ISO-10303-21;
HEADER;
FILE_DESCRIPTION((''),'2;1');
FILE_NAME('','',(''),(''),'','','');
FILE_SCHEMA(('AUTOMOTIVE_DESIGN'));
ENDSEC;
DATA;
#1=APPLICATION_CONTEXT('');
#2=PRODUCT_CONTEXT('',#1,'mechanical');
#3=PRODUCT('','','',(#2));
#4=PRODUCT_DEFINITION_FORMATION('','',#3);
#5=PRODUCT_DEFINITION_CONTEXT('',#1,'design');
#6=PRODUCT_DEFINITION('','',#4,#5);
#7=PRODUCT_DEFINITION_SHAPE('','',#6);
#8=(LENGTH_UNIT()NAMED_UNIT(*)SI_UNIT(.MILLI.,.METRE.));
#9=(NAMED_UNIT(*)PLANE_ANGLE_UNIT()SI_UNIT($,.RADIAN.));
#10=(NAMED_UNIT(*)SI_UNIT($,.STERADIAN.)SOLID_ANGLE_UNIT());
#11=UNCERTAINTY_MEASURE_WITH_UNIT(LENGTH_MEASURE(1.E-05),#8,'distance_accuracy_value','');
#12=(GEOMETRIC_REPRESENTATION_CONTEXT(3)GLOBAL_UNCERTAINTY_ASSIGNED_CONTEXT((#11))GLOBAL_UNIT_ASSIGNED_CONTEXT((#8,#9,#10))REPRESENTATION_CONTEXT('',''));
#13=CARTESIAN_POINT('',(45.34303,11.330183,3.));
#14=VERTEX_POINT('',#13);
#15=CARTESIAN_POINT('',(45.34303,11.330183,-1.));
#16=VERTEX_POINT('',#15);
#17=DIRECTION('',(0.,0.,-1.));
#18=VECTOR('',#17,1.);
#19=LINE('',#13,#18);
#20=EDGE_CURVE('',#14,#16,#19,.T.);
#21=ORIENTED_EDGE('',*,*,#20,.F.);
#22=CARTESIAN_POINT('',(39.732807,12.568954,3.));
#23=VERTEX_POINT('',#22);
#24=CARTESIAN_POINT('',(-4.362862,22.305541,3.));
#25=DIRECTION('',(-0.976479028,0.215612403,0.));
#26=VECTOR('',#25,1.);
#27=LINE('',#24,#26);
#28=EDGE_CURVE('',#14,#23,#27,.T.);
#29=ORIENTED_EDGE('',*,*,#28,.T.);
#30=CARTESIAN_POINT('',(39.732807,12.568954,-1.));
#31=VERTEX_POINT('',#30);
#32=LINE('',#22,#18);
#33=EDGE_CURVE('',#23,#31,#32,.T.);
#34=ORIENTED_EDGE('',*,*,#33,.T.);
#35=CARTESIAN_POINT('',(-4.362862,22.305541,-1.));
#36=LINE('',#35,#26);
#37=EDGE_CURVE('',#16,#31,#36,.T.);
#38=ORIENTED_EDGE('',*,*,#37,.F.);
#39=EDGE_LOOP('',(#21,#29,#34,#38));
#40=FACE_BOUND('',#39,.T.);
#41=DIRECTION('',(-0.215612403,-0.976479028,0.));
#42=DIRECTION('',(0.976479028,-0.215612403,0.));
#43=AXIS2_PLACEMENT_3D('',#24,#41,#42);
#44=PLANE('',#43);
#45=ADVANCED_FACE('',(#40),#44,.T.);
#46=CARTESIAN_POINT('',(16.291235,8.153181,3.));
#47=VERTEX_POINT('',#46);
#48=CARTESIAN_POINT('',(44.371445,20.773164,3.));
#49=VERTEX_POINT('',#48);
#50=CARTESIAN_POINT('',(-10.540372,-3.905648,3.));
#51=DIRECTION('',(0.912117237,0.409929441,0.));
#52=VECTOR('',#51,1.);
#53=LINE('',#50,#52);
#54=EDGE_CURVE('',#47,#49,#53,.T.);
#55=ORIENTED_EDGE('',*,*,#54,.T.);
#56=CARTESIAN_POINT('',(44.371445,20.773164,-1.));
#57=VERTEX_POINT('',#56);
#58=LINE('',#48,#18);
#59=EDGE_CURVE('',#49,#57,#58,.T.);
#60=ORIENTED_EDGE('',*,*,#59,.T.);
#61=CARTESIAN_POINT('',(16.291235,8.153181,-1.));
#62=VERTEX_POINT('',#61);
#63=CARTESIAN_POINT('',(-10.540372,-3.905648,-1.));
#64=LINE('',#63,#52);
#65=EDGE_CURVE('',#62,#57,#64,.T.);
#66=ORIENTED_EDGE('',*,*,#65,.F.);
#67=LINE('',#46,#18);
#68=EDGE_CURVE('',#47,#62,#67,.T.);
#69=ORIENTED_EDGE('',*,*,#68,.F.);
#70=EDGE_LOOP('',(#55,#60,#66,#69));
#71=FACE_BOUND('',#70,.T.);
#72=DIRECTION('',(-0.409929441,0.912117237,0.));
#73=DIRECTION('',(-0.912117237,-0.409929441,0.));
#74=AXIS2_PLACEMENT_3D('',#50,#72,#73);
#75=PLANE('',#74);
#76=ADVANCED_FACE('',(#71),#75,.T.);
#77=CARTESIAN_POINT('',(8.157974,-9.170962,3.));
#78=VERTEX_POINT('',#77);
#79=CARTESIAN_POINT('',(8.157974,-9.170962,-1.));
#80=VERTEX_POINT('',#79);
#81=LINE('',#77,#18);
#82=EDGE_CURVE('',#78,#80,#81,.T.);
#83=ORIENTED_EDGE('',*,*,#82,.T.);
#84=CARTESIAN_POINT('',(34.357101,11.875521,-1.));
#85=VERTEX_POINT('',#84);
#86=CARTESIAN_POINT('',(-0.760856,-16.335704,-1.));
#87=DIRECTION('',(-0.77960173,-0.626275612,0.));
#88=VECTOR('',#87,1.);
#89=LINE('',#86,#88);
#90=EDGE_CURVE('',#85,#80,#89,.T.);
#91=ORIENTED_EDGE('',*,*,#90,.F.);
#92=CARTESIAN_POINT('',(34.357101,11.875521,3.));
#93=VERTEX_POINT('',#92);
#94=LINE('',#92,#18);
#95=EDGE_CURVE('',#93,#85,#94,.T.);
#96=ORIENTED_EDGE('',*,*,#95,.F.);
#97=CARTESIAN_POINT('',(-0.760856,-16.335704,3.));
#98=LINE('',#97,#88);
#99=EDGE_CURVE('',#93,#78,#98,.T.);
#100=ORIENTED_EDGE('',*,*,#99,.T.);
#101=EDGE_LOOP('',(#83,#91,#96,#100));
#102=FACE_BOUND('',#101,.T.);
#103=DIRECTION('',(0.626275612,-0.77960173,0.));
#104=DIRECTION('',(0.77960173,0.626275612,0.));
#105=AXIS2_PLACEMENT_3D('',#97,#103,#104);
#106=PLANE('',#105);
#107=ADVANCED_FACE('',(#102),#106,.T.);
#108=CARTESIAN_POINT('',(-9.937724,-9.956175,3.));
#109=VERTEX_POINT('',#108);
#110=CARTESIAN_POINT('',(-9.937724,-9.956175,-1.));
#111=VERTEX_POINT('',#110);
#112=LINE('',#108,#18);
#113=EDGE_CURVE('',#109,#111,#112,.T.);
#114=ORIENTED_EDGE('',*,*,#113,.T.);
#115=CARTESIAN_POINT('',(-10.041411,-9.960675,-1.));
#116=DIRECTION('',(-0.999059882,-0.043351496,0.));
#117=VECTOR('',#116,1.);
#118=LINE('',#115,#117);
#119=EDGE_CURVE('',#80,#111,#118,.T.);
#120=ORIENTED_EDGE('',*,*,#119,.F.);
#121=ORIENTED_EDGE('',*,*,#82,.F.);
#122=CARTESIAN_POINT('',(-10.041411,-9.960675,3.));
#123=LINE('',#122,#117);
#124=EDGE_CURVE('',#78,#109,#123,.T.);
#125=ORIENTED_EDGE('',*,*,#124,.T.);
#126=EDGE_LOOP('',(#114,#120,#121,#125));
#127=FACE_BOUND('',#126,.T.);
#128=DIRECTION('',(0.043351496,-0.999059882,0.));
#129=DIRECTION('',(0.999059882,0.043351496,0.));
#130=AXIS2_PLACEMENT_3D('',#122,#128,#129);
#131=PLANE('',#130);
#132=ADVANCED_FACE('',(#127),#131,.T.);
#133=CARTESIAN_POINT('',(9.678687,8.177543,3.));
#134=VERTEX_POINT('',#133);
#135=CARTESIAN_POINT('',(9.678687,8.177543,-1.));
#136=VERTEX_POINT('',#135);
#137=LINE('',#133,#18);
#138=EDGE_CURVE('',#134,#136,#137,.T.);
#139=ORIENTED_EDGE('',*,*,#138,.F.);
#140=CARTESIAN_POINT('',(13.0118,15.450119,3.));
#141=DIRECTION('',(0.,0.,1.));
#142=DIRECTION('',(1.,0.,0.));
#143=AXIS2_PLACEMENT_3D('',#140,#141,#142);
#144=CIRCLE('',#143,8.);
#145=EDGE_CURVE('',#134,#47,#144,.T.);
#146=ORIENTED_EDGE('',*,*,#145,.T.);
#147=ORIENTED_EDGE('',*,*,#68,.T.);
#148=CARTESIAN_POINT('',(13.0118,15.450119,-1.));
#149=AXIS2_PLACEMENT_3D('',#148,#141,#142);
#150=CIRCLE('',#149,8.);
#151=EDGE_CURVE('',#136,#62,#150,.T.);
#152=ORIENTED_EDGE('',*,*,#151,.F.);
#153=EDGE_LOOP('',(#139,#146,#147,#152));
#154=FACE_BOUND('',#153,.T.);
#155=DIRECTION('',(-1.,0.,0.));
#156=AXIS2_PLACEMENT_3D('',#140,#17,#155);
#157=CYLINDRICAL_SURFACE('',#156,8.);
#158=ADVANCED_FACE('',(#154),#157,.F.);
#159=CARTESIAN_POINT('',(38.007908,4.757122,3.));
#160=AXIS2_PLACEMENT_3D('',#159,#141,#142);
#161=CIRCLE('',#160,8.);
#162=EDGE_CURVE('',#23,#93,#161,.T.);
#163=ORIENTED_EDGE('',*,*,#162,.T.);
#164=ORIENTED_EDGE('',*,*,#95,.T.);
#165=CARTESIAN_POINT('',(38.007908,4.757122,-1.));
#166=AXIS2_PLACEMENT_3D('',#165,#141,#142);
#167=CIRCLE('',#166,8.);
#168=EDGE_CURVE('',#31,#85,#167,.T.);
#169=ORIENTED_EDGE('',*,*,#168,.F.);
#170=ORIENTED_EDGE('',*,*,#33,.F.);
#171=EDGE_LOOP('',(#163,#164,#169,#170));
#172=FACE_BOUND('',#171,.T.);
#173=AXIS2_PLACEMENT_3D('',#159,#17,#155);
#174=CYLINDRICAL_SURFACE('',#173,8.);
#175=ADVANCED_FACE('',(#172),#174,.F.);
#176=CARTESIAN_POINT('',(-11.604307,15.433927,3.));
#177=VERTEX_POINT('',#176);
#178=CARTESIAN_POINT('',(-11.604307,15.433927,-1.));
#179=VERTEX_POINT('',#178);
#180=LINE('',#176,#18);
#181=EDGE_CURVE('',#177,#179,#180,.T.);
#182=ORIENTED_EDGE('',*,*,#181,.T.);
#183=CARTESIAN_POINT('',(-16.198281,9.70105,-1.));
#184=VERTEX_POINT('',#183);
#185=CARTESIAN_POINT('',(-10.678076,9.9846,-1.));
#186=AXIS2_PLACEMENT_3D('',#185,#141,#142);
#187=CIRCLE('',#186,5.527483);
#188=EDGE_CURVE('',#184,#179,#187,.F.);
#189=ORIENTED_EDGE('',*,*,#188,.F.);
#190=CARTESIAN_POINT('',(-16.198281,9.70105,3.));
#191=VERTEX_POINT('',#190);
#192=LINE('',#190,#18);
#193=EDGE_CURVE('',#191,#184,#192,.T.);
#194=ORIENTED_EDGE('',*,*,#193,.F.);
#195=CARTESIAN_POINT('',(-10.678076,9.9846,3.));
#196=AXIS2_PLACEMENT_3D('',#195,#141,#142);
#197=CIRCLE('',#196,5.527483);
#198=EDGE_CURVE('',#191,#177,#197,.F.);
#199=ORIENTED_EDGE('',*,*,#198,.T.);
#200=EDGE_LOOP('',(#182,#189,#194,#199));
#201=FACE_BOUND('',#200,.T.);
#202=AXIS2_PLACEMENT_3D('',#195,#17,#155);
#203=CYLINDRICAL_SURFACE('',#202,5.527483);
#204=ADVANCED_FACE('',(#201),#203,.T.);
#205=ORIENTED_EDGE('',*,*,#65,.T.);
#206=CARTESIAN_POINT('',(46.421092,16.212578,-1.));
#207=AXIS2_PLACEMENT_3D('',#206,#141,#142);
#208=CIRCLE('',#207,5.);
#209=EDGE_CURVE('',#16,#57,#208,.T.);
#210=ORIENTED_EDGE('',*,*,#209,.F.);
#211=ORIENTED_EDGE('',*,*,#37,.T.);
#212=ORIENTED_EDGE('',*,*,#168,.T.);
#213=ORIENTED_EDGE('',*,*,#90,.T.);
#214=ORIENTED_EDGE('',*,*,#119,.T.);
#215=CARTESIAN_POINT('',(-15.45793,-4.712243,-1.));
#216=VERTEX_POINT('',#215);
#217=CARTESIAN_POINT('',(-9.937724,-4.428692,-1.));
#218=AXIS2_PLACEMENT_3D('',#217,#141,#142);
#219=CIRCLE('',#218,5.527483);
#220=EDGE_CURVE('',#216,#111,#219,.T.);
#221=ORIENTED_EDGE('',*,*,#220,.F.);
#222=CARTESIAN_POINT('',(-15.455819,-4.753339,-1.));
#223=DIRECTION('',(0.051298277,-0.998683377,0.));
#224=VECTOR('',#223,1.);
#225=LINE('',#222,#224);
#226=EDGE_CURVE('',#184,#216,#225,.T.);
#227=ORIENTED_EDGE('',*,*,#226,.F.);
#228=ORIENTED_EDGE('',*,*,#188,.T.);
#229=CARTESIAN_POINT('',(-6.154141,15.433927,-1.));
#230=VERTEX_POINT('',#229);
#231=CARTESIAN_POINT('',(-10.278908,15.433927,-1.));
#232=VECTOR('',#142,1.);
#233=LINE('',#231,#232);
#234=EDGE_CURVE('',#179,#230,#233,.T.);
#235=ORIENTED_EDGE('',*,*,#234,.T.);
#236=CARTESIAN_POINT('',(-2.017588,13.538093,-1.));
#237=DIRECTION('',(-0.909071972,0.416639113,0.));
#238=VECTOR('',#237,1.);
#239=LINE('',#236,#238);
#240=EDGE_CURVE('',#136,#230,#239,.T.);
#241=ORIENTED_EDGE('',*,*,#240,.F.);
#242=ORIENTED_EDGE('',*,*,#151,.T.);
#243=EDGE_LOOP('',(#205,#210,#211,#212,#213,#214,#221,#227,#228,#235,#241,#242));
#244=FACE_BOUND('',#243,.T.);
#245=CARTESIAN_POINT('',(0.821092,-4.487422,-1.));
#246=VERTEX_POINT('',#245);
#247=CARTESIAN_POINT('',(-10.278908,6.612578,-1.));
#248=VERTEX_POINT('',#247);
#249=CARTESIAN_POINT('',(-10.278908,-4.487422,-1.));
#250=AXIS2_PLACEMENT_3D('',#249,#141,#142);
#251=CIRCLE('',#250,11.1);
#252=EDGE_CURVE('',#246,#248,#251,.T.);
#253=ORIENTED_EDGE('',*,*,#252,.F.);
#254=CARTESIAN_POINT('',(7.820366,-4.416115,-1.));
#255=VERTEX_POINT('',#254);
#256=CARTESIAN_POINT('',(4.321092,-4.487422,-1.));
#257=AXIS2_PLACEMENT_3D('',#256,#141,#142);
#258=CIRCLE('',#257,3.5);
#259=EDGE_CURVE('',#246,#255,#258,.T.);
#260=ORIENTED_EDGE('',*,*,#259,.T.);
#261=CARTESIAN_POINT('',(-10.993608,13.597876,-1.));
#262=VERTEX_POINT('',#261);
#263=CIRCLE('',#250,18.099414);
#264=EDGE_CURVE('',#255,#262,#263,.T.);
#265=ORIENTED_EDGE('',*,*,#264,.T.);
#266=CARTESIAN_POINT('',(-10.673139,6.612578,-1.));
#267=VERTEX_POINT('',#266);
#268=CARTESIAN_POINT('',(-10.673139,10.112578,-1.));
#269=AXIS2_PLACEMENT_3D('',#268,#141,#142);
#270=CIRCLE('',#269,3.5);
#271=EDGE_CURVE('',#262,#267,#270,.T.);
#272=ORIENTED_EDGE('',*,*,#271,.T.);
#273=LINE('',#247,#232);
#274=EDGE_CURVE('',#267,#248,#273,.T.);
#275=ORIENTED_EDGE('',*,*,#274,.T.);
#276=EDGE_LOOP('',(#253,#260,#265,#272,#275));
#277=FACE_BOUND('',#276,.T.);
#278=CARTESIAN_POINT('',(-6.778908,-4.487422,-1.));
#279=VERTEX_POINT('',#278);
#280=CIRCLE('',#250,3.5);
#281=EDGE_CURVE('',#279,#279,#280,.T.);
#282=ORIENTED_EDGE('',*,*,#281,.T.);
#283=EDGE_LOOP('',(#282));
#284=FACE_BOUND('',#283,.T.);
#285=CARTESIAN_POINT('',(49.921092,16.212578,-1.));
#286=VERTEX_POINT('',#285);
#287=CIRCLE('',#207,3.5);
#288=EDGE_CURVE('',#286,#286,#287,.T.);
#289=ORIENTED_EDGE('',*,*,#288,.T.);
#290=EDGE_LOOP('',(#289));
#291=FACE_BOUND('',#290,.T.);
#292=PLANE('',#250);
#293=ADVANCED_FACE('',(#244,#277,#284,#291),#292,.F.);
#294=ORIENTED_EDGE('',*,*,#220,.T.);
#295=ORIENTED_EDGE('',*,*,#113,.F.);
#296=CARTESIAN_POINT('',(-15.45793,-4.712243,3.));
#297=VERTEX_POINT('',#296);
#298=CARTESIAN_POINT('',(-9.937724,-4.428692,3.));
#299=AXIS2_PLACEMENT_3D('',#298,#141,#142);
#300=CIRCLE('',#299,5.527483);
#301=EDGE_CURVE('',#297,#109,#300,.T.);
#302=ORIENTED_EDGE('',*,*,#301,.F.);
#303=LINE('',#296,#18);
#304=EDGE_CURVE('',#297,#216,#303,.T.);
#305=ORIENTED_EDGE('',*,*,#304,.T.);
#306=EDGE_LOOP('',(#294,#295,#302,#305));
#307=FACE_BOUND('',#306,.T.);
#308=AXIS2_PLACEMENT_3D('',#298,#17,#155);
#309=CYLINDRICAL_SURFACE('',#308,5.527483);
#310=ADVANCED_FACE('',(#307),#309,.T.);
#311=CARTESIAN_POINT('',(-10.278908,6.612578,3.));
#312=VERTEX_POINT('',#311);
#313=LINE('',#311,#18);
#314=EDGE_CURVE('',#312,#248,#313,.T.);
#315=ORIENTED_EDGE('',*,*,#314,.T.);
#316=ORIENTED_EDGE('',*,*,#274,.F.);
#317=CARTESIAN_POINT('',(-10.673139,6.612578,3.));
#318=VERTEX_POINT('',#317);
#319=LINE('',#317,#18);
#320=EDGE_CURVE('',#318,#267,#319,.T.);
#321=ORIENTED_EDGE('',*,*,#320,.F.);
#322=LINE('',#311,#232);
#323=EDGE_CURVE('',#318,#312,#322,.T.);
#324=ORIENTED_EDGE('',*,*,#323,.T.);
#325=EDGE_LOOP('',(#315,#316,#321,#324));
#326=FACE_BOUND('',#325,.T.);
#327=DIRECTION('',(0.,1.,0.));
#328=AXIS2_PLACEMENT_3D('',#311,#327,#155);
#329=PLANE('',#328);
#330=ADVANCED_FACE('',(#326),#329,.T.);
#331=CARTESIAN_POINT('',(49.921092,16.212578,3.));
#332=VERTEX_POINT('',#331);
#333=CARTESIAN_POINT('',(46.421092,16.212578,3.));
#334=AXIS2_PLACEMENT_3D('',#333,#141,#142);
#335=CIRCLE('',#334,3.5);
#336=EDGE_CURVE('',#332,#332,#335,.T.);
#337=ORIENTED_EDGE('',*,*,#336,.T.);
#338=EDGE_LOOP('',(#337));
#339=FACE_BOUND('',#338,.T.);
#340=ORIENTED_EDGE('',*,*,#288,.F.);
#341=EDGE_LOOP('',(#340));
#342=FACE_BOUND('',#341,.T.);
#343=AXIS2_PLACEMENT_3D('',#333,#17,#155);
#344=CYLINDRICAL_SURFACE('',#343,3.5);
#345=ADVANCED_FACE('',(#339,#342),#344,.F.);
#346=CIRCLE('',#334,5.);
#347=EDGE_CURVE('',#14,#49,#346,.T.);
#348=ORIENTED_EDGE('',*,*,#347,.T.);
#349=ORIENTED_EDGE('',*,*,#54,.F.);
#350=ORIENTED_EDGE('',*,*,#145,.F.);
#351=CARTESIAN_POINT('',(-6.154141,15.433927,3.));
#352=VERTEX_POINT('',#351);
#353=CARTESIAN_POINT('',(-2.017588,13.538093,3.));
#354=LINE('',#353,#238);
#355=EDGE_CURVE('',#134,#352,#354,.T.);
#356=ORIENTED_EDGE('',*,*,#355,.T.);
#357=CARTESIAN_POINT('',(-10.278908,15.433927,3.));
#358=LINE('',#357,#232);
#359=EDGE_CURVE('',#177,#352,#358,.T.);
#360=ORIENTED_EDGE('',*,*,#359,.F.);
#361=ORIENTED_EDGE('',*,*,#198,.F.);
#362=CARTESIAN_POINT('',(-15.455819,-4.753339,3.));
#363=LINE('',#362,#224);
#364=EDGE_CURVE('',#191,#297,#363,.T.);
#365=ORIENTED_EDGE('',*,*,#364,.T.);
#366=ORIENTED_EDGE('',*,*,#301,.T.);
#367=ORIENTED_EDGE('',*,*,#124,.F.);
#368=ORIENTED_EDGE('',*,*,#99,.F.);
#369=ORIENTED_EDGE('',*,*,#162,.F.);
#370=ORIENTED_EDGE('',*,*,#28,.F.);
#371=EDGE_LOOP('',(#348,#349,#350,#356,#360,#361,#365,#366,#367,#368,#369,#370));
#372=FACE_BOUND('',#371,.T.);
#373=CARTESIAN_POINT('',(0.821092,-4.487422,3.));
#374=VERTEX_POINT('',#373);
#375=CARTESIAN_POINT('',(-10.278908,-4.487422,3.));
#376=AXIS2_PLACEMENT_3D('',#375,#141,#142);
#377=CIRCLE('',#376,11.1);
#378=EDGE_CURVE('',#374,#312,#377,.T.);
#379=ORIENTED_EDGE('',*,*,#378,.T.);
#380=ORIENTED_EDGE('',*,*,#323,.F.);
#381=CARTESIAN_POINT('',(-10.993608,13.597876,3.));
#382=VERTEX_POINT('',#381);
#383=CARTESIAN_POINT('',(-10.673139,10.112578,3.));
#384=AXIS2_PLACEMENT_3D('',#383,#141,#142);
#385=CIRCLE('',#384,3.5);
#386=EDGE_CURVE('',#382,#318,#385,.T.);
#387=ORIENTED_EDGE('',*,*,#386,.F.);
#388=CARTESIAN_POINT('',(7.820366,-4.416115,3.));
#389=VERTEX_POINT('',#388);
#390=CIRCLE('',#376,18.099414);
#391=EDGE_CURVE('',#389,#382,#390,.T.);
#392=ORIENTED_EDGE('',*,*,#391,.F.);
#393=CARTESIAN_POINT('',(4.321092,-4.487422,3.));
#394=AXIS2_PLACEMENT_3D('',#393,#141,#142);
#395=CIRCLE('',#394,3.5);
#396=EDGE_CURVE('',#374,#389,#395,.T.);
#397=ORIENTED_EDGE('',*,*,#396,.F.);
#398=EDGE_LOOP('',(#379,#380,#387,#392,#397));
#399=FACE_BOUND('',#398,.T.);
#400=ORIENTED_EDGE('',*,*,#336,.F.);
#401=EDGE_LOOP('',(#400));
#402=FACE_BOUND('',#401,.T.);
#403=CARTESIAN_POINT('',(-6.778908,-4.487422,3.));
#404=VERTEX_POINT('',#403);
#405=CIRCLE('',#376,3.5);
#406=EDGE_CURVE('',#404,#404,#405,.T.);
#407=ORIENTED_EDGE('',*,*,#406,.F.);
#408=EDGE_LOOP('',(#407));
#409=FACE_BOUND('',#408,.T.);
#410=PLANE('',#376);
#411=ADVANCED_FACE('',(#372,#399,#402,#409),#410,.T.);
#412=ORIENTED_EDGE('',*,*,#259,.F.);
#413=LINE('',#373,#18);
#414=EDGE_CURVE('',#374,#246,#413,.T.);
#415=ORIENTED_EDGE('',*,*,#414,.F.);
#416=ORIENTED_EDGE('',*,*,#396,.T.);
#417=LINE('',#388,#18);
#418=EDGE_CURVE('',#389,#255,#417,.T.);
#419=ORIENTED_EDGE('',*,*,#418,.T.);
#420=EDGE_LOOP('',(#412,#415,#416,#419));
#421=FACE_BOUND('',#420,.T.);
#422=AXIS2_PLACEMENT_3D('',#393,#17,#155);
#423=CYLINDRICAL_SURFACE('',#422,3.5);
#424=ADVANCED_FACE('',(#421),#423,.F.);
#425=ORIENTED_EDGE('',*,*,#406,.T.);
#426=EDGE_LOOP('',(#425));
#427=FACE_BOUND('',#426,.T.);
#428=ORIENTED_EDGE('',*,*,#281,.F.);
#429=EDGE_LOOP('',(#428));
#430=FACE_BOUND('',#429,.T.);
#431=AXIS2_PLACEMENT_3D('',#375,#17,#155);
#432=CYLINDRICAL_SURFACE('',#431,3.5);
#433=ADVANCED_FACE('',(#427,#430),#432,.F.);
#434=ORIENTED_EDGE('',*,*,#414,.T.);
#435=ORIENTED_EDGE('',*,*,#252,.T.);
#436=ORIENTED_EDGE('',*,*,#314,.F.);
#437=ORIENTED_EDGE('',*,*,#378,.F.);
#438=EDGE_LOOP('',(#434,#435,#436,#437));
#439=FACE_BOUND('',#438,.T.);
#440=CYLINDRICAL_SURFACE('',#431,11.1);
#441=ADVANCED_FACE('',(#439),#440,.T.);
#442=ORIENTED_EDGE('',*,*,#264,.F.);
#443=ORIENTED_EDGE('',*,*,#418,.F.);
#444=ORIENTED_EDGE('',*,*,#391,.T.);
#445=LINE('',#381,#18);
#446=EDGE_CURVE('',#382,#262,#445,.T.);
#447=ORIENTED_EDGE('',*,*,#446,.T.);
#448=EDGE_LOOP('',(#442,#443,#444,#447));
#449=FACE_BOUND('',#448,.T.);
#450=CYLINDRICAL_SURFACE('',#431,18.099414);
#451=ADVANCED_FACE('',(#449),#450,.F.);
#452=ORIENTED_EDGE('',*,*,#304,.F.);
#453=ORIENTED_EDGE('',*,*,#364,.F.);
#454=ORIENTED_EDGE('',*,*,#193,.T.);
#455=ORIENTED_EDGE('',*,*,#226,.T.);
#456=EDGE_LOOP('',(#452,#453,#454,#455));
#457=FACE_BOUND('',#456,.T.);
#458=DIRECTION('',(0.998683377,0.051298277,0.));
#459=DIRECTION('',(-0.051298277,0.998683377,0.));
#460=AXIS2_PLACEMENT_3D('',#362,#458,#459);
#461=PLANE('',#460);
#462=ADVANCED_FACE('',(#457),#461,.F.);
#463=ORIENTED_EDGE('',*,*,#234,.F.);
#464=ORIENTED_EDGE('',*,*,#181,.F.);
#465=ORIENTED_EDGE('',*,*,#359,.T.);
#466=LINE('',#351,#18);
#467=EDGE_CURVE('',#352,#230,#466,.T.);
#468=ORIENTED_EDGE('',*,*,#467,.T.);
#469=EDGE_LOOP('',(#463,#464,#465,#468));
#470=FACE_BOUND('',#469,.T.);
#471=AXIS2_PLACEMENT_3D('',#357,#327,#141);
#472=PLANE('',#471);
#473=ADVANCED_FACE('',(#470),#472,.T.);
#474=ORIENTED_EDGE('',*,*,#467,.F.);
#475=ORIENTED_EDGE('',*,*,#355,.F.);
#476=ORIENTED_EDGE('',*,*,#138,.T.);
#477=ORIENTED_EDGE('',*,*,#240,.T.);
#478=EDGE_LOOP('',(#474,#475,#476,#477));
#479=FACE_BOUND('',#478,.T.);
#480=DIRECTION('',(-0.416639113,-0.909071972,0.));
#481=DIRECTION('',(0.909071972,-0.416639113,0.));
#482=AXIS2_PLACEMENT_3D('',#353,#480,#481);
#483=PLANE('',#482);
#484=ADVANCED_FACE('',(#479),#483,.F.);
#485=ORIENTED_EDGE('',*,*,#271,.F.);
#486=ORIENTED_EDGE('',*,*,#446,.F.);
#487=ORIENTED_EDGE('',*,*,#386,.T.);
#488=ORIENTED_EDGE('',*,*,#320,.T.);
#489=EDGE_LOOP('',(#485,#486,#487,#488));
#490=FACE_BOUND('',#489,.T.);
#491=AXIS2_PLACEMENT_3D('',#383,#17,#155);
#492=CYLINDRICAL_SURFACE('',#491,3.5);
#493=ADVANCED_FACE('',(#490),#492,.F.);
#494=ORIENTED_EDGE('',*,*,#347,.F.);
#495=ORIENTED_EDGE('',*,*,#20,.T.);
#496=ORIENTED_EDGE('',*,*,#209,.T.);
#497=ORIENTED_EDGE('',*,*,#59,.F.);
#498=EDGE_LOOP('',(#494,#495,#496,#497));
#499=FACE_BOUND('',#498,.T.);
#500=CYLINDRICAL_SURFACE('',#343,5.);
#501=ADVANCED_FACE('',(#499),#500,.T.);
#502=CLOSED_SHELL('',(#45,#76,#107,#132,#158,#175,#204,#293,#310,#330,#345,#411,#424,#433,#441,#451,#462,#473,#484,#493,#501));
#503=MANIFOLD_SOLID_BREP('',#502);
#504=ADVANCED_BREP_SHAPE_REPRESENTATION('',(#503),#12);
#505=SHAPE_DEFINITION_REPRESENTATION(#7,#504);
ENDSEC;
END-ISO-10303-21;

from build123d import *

# Parameters (mm, degrees)
SKETCH2_R           = 1.75
BOSS_EXTRUDE1_DEPTH = 2
SCALE1_SCALE        = 2


with BuildPart() as part:
    # Sketch2 → Boss-Extrude1 (new body)
    with BuildSketch(Plane.XY):
        with BuildLine():
            Line((-2.959686812, 7.094235734), (-2.589510897, -0.112410482))
            ThreePointArc((-2.589510897, -0.112410482), (-1.732883601, -1.97439389), (0.17059178, -2.73437679))
            Line((0.17059178, -2.73437679), (9.218440829, -2.341769901))
            Line((9.218440829, -2.341769901), (22.318004544, 8.181471599))
            ThreePointArc((22.318004544, 8.181471599), (23.631672458, 8.589402593), (25.00585725, 8.528187863))
            Line((25.00585725, 8.528187863), (27.810968992, 7.908802431))
            ThreePointArc((27.810968992, 7.908802431), (30.836871293, 10.605873355), (27.325176398, 12.630293092))
            Line((27.325176398, 12.630293092), (13.285071523, 6.320301234))
            ThreePointArc((13.285071523, 6.320301234), (11.630616958, 5.968797328), (9.978797309, 6.332482295))
            Line((9.978797309, 6.332482295), (2.062383287, 9.960674362))
            Line((2.062383287, 9.960674362), (-0.662699736, 9.960674362))
            ThreePointArc((-0.662699736, 9.960674362), (-2.356294969, 8.964265917), (-2.959686812, 7.094235734))
        make_face()
        Circle(SKETCH2_R, mode=Mode.SUBTRACT)
        with Locations((28.35, 10.35)):
            Circle(SKETCH2_R, mode=Mode.SUBTRACT)
        with BuildLine():
            Line((-0.197115754, 5.55), (0, 5.55))
            ThreePointArc((0, 5.55), (3.924442636, 3.924442636), (5.55, 0))
            ThreePointArc((5.55, 0), (7.317827511, -1.749909192), (9.049636777, 0.035653171))
            ThreePointArc((9.049636777, 0.035653171), (6.258630387, 6.536569638), (-0.357350166, 9.042648827))
            ThreePointArc((-0.357350166, 9.042648827), (-1.945276995, 7.219798525), (-0.197115754, 5.55))
        make_face(mode=Mode.SUBTRACT)
    extrude(amount=BOSS_EXTRUDE1_DEPTH)


with BuildPart() as part_1:
    # Scale1: scaled about (10.278907769, 4.487421788, 1)
    add(part.part.scale(SCALE1_SCALE).moved(Location((-10.278907769, -4.487421788, -1))))


solid = part_1.part
